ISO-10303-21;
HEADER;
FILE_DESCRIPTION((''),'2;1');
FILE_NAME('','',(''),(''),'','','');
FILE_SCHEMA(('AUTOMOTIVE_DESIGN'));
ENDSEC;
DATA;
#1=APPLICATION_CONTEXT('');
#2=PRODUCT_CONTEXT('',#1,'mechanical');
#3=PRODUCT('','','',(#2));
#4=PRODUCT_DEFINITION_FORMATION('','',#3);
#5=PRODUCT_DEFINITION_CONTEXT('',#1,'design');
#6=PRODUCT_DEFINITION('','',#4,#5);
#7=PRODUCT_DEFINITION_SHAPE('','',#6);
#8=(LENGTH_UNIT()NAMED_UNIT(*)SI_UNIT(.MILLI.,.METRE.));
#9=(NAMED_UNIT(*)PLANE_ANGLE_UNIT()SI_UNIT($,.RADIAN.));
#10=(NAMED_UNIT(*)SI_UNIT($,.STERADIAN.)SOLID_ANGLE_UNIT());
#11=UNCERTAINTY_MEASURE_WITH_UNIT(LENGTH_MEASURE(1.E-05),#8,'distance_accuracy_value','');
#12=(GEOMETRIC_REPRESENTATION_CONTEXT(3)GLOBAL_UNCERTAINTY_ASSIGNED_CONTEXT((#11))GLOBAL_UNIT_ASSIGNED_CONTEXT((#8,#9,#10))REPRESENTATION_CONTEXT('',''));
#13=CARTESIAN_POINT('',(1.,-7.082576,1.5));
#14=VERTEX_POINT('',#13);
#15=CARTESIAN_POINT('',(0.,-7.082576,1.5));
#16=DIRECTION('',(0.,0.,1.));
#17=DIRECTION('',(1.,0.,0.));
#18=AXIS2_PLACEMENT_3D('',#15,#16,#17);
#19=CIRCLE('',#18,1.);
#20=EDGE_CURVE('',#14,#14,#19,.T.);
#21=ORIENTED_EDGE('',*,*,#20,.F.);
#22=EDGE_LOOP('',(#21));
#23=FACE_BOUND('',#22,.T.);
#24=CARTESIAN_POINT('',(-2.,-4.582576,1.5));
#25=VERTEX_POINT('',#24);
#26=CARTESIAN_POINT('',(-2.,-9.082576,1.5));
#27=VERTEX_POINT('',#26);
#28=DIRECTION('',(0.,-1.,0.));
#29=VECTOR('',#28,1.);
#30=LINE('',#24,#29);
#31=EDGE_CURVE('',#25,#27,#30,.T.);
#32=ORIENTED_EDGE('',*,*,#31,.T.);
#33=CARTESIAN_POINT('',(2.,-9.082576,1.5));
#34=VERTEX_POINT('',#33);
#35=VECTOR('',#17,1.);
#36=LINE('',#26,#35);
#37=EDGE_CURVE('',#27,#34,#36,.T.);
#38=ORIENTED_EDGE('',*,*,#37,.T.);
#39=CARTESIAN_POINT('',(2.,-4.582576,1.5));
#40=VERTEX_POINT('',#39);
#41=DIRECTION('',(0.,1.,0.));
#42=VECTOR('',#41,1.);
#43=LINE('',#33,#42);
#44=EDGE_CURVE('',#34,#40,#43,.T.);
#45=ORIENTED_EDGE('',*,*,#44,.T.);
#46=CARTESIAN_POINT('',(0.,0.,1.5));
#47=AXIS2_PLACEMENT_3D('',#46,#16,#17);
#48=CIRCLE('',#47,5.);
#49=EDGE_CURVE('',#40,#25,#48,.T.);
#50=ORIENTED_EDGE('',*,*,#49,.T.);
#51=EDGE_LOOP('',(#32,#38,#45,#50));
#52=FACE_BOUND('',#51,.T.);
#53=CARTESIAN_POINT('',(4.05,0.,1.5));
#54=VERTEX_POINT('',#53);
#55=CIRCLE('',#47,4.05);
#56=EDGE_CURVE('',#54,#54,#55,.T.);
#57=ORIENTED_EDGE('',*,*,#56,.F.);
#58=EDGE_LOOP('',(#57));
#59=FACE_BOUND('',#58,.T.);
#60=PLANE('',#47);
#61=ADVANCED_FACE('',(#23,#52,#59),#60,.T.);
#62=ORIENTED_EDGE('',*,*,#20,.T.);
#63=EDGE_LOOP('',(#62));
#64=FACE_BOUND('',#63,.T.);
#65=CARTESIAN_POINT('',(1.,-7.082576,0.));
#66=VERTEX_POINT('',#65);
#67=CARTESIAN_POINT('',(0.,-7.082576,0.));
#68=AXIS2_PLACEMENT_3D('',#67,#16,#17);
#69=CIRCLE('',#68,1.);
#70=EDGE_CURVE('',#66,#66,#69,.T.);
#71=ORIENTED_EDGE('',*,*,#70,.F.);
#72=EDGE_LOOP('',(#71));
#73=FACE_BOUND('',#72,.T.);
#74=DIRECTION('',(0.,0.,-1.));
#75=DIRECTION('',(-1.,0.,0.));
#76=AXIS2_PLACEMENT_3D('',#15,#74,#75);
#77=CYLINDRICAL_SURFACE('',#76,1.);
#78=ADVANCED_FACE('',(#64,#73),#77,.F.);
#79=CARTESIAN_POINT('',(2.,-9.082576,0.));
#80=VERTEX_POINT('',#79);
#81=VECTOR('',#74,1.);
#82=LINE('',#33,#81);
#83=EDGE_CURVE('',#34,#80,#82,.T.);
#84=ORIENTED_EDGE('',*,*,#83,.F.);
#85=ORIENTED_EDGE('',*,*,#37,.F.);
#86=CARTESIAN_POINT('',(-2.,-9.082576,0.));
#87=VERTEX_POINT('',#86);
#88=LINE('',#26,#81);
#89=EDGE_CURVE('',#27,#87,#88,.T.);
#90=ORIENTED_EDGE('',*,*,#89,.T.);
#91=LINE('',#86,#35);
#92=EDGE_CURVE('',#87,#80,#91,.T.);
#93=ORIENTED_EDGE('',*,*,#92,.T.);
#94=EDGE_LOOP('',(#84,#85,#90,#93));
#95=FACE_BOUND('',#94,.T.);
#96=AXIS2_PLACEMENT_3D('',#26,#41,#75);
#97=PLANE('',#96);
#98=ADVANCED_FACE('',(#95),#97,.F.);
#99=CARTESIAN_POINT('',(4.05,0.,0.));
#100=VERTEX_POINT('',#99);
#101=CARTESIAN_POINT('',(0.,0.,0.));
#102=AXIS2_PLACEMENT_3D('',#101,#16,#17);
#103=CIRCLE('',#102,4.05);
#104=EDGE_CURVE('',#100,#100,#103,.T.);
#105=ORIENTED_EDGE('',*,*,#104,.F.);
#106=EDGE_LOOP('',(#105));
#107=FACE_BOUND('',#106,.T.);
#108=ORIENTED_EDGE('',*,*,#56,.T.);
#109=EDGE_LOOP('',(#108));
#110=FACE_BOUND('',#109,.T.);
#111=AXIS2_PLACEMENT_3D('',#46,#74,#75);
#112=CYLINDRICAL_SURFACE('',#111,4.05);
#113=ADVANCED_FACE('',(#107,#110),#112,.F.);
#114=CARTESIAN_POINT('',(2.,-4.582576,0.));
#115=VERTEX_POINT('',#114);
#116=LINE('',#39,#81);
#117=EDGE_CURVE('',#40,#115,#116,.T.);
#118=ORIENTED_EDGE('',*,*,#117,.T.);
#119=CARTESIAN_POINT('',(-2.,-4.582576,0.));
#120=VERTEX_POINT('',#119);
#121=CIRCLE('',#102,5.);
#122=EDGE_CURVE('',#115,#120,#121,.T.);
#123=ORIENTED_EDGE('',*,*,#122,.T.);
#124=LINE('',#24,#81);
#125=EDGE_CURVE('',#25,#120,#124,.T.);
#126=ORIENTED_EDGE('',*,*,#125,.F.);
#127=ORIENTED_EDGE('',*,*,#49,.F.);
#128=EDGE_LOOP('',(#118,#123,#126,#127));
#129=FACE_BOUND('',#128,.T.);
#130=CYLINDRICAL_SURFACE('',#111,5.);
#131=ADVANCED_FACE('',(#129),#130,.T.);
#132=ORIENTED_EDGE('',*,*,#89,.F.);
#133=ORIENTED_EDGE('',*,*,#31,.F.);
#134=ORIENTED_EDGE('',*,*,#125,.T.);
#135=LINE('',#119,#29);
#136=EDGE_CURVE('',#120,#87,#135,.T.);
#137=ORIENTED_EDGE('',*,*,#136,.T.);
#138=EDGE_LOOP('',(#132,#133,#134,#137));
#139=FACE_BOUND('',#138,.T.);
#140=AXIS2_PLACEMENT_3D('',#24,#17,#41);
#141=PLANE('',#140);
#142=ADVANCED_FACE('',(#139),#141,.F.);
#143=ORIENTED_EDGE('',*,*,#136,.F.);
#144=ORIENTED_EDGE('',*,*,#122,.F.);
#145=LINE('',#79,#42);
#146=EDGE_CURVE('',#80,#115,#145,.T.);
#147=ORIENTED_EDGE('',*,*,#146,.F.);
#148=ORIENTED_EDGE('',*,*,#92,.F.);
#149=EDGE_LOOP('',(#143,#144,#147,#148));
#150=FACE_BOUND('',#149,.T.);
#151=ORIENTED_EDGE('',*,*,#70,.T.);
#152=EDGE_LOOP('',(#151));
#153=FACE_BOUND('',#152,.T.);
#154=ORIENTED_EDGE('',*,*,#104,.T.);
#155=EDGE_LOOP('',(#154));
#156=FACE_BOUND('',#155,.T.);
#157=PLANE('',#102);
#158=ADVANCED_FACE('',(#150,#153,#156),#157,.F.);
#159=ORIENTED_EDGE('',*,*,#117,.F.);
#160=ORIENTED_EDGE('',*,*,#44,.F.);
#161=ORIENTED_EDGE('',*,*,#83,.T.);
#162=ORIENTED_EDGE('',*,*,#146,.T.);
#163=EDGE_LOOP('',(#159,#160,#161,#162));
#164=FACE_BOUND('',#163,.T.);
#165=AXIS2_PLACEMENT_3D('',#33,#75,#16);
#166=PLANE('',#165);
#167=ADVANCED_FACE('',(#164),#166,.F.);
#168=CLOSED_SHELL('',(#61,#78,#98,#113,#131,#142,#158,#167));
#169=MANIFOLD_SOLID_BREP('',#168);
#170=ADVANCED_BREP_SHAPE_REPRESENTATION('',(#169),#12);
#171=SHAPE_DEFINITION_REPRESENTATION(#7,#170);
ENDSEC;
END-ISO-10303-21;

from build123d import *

# Parameters (mm, degrees)
SKETCH_1_R      = 1
SKETCH_1_R_2    = 4.05
EXTRUDE_1_DEPTH = 1.5


with BuildPart() as part:
    # 草图1 → 凸台-拉伸1 (new body)
    with BuildSketch(Plane.XY):
        with BuildLine():
            Line((-2, -9.082575695), (2, -9.082575695))
            Line((2, -9.082575695), (2, -4.582575695))
            ThreePointArc((2, -4.582575695), (0, 5), (-2, -4.582575695))
            Line((-2, -4.582575695), (-2, -9.082575695))
        make_face()
        with Locations((0, -7.082575695)):
            Circle(SKETCH_1_R, mode=Mode.SUBTRACT)
        Circle(SKETCH_1_R_2, mode=Mode.SUBTRACT)
    extrude(amount=EXTRUDE_1_DEPTH)


solid = part.part
